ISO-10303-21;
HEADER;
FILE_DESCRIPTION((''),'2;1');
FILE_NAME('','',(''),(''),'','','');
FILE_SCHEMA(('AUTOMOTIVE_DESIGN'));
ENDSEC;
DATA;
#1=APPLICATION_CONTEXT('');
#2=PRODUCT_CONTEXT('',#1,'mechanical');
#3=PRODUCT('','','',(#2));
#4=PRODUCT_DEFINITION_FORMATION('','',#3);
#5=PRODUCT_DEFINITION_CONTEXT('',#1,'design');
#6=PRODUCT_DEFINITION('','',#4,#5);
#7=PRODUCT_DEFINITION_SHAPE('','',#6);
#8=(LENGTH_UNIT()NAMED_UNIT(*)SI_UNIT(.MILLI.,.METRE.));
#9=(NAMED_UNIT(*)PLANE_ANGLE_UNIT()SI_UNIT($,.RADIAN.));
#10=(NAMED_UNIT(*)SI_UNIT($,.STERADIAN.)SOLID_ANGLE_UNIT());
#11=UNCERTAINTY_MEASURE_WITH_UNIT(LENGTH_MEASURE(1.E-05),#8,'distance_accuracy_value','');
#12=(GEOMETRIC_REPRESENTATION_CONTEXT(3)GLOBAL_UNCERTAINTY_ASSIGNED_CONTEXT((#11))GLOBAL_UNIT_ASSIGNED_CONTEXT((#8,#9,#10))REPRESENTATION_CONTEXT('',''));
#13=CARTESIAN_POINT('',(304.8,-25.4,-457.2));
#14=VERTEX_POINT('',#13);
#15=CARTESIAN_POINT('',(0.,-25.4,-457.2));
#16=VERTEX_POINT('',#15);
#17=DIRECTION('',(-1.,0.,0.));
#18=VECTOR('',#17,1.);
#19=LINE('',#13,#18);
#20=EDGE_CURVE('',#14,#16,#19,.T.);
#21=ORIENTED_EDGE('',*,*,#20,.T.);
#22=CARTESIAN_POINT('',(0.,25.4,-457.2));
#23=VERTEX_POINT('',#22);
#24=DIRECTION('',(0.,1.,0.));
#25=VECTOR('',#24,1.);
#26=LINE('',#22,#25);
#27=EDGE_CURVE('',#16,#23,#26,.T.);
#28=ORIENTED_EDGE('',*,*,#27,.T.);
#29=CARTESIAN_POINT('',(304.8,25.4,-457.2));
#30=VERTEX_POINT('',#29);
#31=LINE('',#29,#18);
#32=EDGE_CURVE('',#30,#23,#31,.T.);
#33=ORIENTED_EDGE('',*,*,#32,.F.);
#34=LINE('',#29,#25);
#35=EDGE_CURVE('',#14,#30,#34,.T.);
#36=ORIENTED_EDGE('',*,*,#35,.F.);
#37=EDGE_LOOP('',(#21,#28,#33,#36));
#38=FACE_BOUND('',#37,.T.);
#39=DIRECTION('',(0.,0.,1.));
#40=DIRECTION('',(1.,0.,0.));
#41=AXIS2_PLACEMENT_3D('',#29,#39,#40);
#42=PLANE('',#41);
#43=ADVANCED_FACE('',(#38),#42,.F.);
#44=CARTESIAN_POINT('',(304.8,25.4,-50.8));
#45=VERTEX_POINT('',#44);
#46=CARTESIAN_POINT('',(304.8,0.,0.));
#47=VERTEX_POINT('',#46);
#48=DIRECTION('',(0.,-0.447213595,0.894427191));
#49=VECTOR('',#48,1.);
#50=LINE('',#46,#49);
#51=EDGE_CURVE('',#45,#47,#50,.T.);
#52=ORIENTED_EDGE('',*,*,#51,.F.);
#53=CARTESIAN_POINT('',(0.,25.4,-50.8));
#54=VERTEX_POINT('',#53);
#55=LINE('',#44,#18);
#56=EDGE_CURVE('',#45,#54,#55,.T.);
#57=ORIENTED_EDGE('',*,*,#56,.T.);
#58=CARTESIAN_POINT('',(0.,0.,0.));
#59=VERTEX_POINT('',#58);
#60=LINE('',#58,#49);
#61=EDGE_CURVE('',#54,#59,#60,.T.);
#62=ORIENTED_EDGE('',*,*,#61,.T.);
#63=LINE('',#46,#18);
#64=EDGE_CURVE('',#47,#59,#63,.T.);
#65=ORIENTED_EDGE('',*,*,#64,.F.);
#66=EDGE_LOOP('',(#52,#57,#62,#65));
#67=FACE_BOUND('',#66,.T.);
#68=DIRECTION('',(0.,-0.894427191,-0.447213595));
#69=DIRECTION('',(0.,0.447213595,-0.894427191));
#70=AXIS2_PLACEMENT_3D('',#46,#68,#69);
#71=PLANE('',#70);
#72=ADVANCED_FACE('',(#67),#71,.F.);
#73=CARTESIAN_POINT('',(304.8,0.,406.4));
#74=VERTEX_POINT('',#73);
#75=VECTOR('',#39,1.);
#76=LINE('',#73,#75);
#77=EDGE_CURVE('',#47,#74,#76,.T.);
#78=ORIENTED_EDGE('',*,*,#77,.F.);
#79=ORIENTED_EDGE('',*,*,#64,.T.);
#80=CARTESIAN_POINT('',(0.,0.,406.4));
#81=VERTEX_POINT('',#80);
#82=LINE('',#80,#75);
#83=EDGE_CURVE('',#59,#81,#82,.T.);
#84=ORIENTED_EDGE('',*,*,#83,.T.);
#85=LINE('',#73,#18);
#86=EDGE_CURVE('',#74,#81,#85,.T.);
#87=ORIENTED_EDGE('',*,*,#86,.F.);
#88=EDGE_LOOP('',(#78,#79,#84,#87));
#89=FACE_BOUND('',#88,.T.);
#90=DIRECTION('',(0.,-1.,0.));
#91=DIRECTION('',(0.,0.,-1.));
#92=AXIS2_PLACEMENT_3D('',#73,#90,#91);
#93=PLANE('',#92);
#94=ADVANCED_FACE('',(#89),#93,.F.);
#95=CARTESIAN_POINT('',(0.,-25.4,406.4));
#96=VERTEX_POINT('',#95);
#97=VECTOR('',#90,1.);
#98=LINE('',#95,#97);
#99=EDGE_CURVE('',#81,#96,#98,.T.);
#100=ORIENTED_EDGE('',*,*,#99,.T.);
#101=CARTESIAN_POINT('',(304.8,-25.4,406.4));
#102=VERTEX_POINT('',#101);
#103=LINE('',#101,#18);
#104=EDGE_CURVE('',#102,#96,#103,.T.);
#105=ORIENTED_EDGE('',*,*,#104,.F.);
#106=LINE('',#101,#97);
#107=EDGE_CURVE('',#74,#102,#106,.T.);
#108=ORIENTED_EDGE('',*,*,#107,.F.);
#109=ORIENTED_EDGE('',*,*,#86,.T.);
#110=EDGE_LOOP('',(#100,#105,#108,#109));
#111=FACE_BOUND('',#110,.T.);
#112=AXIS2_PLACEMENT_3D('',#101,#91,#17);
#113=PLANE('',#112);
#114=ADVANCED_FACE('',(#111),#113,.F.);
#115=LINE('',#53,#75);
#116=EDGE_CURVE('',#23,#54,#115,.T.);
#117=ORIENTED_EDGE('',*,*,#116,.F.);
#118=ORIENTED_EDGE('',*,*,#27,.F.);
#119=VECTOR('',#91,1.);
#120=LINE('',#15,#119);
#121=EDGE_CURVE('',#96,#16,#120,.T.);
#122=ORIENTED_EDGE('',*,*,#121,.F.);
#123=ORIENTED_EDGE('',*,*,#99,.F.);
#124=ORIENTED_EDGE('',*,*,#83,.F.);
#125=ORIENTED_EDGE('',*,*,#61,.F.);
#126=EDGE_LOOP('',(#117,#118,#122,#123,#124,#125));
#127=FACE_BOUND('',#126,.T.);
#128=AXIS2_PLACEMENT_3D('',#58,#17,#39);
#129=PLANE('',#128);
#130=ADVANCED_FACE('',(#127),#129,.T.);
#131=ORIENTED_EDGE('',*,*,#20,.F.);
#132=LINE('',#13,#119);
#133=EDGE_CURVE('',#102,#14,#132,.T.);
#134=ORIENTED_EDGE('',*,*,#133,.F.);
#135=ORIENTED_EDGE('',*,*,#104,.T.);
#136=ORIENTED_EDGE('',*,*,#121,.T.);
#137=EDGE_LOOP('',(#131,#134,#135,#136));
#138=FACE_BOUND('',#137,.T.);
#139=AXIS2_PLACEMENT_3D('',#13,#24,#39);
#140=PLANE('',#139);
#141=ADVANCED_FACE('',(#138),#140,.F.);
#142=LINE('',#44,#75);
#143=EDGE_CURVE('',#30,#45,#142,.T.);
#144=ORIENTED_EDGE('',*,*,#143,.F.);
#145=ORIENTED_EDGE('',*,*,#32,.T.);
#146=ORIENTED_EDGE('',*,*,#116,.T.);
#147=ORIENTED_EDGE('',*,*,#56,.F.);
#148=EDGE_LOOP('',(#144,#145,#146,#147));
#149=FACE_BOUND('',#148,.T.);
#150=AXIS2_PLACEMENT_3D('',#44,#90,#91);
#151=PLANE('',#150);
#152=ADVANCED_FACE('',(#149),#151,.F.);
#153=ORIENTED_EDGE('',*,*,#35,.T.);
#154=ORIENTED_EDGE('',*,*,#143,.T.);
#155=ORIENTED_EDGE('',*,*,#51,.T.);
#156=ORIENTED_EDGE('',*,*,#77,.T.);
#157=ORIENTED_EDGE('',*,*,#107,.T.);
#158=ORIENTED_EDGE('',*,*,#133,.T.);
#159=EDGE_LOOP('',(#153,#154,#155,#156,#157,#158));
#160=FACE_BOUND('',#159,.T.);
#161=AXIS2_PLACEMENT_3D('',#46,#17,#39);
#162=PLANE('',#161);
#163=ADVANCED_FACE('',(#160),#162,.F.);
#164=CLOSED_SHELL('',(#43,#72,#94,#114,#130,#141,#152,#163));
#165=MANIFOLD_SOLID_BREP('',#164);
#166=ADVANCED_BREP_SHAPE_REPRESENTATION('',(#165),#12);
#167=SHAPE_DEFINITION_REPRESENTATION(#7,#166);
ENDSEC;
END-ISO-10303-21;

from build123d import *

# Parameters (mm, degrees)
BOSS_EXTRUDE1_DEPTH = 304.8


with BuildPart() as part:
    # Sketch1 → Boss-Extrude1 (new body)
    with BuildSketch(Plane(origin=(0, 0, 0), x_dir=(0, 0, -1), z_dir=(1, 0, 0))):
        Polygon((-406.4, 0), (0, 0), (50.8, 25.4), (457.2, 25.4), (457.2, -25.4), (-406.4, -25.4), align=None)
    extrude(amount=BOSS_EXTRUDE1_DEPTH)


solid = part.part
